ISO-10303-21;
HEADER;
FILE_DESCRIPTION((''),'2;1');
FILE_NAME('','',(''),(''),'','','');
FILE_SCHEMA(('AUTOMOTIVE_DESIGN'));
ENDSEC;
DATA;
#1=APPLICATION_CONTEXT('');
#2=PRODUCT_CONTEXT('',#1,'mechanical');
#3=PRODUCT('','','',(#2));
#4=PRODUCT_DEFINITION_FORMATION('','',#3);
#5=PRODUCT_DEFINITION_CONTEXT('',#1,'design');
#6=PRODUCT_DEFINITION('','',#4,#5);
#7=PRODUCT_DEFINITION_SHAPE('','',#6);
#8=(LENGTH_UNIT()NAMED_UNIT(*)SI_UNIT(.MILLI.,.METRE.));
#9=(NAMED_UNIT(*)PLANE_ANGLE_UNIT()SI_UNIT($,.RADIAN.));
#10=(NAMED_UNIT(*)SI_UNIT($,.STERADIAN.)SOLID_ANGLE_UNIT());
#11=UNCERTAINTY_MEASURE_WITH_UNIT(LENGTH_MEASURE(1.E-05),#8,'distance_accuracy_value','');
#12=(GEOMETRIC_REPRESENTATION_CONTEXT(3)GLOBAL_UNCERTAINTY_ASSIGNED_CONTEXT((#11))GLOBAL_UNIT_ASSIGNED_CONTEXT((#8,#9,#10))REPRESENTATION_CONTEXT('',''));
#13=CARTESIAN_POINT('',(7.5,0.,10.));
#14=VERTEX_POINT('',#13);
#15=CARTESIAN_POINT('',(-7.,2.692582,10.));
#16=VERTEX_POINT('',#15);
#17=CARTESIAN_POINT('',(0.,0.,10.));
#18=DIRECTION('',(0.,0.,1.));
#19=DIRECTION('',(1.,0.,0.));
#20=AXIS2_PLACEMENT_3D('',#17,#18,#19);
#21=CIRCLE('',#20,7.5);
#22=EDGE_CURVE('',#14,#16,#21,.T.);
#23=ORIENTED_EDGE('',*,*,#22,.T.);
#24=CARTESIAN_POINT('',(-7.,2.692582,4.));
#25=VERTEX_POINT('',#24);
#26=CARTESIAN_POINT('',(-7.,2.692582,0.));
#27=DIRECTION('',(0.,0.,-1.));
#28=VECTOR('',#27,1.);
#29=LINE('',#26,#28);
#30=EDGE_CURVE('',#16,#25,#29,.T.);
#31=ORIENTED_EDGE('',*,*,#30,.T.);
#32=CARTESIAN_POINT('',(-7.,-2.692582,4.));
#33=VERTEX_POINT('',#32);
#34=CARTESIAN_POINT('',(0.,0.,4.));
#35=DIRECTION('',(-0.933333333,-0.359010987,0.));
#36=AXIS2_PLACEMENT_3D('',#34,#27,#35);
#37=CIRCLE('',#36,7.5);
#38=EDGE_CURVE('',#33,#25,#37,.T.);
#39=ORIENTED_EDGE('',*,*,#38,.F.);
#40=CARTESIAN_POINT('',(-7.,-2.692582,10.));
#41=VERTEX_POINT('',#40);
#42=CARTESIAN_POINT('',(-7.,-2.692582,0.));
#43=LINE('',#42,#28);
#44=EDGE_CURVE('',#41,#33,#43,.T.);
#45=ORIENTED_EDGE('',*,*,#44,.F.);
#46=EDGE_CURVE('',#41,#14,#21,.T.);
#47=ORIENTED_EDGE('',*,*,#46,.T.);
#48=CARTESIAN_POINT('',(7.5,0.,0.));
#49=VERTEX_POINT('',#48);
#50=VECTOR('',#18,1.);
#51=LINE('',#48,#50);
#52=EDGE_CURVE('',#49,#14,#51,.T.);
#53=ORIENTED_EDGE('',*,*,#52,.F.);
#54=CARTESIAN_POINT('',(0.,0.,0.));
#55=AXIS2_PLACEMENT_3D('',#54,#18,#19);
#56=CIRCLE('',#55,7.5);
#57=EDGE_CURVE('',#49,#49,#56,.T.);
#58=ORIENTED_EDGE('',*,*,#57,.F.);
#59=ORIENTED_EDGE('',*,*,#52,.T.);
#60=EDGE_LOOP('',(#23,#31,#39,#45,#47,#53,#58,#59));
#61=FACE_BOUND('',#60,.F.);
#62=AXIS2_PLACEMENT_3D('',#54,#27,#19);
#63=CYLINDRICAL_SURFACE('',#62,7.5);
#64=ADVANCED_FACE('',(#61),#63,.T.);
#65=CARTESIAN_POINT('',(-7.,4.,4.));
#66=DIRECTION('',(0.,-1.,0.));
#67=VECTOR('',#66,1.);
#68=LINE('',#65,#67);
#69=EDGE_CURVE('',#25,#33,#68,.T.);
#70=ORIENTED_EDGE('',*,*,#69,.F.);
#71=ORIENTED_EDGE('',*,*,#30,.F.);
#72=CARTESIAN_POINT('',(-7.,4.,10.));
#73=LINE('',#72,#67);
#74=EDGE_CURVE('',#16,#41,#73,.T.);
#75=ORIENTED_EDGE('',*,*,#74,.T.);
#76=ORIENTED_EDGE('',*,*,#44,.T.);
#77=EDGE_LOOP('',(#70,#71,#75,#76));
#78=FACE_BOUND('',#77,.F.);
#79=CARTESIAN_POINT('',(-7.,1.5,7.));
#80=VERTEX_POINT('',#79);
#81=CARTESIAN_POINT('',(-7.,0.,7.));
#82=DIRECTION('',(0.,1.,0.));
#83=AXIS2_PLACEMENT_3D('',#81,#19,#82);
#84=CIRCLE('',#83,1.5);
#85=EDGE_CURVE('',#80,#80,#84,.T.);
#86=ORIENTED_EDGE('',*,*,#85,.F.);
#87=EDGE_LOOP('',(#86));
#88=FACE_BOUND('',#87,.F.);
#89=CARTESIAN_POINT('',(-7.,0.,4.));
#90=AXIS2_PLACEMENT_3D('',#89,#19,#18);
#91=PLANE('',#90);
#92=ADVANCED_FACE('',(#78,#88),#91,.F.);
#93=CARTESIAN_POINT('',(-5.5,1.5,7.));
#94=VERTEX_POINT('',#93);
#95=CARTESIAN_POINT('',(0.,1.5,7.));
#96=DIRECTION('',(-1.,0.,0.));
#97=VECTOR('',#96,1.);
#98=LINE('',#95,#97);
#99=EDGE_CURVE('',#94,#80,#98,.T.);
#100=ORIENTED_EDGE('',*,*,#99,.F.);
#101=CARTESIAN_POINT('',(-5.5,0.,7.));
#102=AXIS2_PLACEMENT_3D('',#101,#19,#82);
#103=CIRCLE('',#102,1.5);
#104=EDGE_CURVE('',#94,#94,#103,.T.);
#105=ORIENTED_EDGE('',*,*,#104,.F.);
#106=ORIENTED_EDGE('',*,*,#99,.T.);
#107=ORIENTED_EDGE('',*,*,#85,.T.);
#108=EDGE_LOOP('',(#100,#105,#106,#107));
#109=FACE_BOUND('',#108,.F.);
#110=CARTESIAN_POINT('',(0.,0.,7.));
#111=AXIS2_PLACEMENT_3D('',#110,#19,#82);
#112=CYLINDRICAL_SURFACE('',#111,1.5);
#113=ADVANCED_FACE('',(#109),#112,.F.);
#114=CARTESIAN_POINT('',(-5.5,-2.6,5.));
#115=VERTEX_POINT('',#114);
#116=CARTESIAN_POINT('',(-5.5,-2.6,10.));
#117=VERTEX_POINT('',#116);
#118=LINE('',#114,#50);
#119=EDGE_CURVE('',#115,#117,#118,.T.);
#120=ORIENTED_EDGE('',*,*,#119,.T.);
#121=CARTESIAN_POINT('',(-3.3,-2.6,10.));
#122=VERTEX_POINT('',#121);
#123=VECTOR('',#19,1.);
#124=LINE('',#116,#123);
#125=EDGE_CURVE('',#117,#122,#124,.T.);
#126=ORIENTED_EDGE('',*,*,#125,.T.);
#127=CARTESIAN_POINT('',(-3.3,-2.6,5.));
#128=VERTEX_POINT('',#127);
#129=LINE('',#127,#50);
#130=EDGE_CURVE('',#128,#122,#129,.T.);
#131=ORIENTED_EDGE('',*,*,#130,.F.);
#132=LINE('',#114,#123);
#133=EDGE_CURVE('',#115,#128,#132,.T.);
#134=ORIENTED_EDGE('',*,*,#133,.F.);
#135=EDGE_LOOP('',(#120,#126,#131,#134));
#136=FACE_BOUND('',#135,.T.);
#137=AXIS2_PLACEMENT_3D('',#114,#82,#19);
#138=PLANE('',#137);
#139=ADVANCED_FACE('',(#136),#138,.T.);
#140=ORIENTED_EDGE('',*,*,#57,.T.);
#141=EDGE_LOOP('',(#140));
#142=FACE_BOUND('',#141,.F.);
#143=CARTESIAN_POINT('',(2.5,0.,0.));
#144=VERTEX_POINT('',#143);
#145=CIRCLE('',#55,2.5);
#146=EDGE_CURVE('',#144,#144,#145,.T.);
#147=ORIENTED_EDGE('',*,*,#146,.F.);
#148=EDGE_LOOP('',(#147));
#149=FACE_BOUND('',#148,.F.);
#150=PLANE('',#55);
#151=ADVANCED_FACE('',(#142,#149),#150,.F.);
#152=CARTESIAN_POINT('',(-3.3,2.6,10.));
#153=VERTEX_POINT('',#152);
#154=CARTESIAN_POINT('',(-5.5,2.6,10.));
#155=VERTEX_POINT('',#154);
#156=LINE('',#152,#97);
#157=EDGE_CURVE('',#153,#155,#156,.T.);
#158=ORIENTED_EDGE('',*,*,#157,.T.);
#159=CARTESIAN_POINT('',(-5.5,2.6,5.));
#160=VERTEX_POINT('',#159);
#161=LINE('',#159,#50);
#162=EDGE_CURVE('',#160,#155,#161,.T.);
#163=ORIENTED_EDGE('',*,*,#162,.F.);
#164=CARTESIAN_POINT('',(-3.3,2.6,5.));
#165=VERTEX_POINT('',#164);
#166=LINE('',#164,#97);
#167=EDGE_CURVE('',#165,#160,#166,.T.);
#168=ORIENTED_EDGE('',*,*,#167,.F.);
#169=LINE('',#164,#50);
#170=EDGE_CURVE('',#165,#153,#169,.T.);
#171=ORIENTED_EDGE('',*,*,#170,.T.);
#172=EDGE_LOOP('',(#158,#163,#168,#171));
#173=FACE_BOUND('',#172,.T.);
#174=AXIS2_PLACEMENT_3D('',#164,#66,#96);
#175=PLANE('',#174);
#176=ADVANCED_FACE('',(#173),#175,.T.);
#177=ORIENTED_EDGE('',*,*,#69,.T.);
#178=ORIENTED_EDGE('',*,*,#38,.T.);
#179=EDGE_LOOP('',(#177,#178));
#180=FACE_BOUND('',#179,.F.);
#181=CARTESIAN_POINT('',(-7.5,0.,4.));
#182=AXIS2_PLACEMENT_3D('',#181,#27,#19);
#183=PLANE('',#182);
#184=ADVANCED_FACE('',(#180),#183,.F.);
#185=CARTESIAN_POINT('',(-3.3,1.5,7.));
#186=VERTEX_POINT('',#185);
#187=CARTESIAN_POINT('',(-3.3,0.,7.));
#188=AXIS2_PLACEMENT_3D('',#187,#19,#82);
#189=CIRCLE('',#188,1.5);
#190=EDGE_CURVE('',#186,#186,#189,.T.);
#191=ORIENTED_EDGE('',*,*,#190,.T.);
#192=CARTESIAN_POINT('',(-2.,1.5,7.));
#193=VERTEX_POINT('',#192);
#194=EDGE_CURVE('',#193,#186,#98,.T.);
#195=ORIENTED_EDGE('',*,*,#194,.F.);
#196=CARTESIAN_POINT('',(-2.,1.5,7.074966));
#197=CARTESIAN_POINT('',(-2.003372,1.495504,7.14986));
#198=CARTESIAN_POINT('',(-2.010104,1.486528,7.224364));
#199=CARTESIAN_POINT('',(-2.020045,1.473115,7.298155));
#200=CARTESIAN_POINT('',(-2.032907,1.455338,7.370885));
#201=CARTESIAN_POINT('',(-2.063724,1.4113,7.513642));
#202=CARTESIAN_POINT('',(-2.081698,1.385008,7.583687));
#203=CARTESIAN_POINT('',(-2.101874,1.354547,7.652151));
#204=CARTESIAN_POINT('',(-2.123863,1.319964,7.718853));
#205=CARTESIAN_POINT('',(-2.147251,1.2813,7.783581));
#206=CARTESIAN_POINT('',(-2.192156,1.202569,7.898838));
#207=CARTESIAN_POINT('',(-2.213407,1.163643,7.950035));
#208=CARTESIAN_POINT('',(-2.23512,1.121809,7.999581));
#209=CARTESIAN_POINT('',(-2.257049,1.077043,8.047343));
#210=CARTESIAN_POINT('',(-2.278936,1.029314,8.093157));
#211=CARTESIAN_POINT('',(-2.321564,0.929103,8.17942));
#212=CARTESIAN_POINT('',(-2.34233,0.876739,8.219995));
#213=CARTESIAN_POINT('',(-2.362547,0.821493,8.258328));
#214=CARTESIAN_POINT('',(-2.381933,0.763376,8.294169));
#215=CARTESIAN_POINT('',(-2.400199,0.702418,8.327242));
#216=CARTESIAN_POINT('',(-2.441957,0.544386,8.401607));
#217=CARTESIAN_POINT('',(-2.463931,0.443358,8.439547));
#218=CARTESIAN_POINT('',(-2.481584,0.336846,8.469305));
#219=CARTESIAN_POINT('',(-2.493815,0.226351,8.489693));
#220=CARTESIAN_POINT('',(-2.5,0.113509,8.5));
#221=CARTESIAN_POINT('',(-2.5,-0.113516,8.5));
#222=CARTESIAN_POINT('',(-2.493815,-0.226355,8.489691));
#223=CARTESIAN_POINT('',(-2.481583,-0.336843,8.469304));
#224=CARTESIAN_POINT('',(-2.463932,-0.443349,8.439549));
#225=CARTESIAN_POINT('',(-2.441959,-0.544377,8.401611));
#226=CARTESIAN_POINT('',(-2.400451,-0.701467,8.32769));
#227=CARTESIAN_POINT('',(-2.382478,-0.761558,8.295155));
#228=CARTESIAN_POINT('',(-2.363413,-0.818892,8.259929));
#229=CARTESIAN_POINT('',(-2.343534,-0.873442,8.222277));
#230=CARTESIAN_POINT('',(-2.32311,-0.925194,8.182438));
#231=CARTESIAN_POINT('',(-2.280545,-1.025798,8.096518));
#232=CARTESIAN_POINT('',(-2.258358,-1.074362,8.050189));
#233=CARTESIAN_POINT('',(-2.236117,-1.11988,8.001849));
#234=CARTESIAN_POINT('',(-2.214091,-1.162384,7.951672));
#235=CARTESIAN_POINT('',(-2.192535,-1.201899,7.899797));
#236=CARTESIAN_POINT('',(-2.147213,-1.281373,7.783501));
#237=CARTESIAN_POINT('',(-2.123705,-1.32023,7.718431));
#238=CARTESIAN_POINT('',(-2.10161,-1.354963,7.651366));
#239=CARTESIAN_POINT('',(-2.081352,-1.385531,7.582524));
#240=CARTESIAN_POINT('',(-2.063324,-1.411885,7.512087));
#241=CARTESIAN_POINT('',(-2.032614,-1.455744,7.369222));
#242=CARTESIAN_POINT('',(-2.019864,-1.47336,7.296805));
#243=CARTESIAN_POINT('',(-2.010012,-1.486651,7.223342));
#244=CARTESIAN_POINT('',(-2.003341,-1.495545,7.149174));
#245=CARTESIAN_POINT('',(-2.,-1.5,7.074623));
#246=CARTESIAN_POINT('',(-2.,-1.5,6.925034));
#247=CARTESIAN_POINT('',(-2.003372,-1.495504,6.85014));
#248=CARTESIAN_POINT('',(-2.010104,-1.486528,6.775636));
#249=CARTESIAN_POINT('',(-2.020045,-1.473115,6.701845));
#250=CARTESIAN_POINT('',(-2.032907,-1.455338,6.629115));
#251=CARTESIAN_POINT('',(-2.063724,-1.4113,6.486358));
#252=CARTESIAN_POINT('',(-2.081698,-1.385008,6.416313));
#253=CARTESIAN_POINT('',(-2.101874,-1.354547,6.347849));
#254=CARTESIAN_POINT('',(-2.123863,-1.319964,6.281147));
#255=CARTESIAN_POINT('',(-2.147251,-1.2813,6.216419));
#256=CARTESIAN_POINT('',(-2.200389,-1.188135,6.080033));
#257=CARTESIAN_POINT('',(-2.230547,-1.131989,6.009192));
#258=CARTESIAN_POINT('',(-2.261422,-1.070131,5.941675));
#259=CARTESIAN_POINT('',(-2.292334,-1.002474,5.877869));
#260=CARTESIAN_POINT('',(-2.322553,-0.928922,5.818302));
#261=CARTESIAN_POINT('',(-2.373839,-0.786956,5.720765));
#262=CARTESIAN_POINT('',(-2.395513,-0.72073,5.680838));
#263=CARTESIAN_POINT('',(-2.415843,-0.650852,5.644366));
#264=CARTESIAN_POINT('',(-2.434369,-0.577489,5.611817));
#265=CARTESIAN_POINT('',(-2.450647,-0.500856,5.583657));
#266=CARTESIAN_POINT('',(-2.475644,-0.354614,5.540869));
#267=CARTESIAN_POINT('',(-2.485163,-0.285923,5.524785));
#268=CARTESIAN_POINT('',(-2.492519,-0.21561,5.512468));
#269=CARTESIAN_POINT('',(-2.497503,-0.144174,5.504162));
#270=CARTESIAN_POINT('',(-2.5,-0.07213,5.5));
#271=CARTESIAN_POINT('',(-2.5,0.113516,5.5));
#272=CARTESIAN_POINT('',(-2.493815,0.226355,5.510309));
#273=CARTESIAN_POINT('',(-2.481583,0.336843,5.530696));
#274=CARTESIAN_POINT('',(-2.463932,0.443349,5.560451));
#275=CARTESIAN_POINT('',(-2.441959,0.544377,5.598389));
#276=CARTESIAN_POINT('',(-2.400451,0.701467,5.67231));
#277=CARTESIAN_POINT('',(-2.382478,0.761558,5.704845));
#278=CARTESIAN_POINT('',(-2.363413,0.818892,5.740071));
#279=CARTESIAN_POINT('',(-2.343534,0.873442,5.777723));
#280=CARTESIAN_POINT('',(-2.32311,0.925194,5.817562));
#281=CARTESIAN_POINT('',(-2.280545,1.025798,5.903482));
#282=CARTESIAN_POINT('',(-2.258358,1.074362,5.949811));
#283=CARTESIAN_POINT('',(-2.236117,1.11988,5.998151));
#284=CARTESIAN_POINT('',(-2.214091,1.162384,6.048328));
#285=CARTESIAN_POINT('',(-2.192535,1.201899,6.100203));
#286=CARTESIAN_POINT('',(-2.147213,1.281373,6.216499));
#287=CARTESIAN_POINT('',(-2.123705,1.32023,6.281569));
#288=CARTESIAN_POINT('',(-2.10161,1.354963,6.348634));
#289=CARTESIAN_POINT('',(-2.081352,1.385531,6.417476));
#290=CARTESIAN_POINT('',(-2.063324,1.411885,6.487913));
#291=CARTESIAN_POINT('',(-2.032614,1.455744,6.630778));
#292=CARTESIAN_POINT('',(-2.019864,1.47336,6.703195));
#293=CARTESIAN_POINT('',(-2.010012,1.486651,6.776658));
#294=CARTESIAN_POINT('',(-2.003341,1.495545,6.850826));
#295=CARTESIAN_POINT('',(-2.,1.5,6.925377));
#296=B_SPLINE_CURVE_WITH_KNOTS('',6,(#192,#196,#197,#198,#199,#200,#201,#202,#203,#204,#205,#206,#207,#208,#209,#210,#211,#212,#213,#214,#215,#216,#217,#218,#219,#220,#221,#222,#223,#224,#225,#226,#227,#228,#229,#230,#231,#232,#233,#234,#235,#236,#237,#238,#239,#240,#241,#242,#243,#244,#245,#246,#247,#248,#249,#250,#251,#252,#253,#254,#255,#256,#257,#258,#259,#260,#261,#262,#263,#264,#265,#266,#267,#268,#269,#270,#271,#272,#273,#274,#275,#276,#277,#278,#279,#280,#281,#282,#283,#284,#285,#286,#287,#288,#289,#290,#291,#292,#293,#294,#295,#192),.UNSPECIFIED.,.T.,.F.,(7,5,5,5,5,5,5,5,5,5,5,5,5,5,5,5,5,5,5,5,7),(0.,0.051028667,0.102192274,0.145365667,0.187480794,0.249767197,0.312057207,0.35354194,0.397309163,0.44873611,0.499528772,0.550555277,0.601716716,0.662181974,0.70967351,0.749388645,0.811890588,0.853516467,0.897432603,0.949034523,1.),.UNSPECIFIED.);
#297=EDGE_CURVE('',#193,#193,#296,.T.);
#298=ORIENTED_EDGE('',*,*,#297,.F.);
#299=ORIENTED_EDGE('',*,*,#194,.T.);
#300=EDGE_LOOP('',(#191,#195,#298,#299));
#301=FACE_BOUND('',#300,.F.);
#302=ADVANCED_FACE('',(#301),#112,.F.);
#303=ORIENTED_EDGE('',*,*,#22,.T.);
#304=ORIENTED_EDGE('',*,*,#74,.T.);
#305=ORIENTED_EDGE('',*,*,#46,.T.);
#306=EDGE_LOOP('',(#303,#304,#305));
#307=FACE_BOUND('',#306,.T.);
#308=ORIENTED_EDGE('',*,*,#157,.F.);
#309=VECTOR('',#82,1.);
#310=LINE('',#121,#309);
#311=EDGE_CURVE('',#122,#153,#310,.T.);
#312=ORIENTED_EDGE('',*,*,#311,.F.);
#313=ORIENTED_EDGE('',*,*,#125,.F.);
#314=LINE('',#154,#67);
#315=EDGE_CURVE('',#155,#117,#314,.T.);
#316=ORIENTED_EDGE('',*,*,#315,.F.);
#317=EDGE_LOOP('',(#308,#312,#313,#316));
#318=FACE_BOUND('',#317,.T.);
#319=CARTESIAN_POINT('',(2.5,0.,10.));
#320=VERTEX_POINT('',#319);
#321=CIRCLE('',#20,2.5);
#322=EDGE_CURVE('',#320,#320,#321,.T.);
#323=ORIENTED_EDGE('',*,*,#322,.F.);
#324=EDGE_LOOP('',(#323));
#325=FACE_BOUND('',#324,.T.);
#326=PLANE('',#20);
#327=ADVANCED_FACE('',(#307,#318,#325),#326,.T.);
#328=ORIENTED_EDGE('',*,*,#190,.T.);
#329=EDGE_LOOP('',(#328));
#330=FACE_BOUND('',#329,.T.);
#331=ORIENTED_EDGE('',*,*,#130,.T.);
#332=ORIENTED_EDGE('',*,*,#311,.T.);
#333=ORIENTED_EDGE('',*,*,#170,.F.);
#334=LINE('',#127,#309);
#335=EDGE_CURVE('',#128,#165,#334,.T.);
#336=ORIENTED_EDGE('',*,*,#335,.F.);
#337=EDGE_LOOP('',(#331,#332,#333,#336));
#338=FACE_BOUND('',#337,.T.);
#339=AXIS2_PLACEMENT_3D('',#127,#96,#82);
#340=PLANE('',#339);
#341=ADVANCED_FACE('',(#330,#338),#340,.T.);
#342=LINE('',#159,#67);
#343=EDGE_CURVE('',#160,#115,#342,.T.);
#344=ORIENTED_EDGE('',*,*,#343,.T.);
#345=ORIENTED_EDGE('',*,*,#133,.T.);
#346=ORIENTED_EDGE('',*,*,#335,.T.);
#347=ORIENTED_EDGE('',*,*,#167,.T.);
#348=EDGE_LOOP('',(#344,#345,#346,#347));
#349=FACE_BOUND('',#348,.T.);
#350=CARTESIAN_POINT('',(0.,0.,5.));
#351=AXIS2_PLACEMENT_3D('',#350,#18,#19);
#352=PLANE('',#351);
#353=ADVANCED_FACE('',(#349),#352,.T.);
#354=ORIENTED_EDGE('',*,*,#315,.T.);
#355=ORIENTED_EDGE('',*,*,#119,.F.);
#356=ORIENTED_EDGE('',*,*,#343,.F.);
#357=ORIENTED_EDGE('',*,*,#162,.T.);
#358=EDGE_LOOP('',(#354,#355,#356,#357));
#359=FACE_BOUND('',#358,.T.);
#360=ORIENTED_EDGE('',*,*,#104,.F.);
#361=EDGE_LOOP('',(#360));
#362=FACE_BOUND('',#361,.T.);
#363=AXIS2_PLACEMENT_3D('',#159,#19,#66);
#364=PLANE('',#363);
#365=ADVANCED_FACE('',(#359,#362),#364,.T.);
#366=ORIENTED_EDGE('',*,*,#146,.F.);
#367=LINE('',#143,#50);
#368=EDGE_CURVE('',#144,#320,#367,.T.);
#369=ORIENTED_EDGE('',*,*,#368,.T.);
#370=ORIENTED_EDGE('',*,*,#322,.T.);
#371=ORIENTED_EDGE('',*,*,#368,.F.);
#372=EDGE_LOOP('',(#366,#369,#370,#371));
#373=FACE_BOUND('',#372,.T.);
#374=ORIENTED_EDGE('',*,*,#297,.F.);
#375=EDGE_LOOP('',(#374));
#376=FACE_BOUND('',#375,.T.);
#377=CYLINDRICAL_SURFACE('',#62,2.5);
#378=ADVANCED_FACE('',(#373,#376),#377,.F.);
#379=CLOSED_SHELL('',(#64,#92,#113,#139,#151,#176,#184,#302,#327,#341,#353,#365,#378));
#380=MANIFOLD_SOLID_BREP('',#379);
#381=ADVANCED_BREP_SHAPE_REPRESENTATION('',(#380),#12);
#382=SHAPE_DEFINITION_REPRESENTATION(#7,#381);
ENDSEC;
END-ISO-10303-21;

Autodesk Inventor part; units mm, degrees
ref_plane "YZ Plane" through (0, 0, 0) normal (1, 0, 0) x (0, 1, 0)
ref_plane "XZ Plane" through (0, 0, 0) normal (0, 1, 0) x (-1, 0, 0)
sketch "Sketch1" plane through (0, 0, 0) normal (0, 0, 1) x (1, 0, 0)
  circle A0 centre (0, 0) radius 7.5
  circle A1 centre (0, 0) radius 2.5
  dimension "d0" = 15
  dimension "d1" = 5
extrude "Extrusion1" add sketch "Sketch1" along normal blind 10
ref_plane "Work Plane1" through (0, 0, 5) normal (0, 0, 1) x (1, 0, 0)
sketch "Sketch2" plane through (0, 0, 5) normal (0, 0, 1) x (1, 0, 0)
  line L0 (-5.5, -2.6) -> (-3.3, -2.6)
  line L1 (-3.3, -2.6) -> (-3.3, 2.6)
  line L2 (-3.3, 2.6) -> (-5.5, 2.6)
  line L3 (-5.5, 2.6) -> (-5.5, -2.6)
  point P0 (0, 0)
  point P1 (-5.5, 0)
  dimension "d5" = 5.5
  dimension "d6" = 2.2
  dimension "d7" = 5.2
extrude "Extrusion2" cut sketch "Sketch2" along normal blind 5
sketch "Sketch4" plane through (0, 0, 0) normal (1, 0, 0) x (0, 1, 0)
  circle A0 centre (0, 7) radius 1.5
  line L0 (-10.5, 0) -> (10.5, 0) projected
  point P0 (0, 0)
  dimension "d12" = 3
  dimension "d13" = 7
extrude "Extrusion3" cut sketch "Sketch4" against normal blind 8
sketch "Sketch5" plane through (0, 0, 0) normal (0, 1, 0) x (-1, 0, 0)
  line L0 (7.5, 0) -> (7.5, 10) projected
  line L1 (7.5, 4) -> (7, 4)
  line L2 (7, 4) -> (7, 10)
  line L3 (7, 10) -> (7.5, 10)
  line L4 (7.5, 10) -> (7.5, 4)
  line L5 (-10.5003, 0) -> (10.5017, 0) projected
  point P0 (0, 0)
  dimension "d16" = 6
  dimension "d17" = 10
  dimension "d18" = 0.5
extrude "Extrusion4" cut sketch "Sketch5" along normal mid plane 8
properties part number "Acople eje motor"
